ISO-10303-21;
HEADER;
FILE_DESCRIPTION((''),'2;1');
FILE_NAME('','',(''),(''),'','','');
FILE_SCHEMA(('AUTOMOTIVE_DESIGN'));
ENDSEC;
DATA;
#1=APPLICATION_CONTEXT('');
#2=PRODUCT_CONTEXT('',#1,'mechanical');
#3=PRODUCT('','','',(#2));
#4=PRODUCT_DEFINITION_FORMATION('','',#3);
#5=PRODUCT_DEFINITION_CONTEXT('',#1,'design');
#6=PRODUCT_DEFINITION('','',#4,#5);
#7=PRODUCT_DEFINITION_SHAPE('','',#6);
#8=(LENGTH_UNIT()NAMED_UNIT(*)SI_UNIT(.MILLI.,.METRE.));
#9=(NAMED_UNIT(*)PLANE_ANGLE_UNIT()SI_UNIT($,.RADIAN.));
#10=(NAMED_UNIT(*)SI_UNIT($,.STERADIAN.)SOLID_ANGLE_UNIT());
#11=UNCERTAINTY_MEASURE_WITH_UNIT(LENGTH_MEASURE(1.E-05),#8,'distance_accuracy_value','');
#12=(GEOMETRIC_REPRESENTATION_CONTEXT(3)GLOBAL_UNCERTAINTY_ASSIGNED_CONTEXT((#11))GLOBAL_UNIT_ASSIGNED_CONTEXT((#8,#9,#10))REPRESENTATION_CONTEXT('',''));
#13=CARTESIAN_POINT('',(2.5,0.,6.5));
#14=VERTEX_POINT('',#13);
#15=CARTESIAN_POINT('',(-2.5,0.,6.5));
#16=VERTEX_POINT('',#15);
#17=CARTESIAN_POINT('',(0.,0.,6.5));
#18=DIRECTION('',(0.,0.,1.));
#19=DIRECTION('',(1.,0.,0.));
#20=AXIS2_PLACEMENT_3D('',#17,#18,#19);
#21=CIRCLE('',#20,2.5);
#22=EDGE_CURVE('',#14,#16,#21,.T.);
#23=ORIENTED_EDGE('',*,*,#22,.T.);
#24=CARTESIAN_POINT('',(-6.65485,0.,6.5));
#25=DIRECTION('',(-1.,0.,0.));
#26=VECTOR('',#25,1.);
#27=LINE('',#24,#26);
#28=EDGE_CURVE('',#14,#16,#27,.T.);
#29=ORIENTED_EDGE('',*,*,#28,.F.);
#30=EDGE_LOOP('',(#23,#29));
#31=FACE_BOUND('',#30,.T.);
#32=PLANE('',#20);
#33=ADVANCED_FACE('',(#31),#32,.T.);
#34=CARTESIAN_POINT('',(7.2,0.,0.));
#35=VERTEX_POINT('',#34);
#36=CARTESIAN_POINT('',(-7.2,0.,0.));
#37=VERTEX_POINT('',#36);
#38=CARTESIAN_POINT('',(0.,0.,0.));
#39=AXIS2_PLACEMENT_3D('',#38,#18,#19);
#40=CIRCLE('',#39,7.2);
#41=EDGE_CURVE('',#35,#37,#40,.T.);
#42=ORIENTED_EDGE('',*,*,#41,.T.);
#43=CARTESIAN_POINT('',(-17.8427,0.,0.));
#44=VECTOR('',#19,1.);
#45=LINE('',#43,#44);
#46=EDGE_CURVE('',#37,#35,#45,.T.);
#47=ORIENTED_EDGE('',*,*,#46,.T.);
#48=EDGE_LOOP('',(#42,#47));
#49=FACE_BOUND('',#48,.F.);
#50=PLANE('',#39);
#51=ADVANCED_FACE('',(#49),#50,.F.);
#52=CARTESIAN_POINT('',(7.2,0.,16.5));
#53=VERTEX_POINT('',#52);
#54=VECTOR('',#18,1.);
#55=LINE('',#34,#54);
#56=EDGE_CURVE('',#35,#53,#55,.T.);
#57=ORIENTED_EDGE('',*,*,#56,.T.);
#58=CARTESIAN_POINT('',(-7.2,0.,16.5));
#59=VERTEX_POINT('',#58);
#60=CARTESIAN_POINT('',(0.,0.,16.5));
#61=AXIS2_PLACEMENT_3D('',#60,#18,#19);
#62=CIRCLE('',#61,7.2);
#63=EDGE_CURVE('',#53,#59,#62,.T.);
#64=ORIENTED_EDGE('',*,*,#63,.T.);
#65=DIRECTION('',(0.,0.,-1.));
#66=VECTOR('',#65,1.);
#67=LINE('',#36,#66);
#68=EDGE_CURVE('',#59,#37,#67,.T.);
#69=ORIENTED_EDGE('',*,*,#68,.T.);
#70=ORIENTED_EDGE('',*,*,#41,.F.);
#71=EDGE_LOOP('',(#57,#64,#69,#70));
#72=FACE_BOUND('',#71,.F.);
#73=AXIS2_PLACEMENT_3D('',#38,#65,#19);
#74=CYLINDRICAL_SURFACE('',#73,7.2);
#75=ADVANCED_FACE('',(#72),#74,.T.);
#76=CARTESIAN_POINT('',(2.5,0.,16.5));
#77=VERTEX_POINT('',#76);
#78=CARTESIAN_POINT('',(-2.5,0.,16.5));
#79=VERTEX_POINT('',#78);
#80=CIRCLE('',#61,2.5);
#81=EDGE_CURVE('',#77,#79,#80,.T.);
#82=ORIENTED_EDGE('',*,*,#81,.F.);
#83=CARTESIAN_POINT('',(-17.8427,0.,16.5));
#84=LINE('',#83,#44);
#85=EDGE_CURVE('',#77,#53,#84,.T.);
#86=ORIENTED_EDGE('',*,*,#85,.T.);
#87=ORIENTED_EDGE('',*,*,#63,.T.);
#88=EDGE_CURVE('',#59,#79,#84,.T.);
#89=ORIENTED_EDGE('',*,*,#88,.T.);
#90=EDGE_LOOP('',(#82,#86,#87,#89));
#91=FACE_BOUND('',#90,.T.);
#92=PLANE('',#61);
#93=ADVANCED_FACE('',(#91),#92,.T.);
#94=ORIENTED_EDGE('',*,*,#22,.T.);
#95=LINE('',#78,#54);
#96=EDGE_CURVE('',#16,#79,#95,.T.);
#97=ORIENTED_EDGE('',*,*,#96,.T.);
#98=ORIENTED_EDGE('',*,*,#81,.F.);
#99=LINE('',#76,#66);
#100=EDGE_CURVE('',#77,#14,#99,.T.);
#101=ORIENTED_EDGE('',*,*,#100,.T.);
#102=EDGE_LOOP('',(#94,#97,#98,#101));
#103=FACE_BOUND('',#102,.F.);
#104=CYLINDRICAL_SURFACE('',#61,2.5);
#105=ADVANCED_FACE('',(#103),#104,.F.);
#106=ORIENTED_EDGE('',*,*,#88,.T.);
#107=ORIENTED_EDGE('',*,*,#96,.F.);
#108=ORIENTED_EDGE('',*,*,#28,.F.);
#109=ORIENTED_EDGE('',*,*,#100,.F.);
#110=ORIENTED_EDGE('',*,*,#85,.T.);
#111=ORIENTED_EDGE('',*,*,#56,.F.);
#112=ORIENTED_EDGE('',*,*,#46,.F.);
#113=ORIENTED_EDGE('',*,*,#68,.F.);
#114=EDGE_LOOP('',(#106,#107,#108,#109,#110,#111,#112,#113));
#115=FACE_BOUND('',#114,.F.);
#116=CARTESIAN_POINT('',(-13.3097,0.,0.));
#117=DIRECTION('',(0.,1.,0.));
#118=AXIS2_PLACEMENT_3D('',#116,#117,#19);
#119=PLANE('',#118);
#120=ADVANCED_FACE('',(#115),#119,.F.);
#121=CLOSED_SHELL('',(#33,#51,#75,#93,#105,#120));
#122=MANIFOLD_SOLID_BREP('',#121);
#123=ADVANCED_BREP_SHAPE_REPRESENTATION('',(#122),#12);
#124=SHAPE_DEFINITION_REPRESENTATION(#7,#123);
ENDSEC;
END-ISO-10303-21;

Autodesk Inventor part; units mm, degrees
ref_plane "YZ Plane" through (0, 0, 0) normal (1, 0, 0) x (0, 1, 0)
ref_plane "XZ Plane" through (0, 0, 0) normal (0, 1, 0) x (-1, 0, 0)
ref_plane "XY Plane" through (0, 0, 0) normal (0, 0, 1) x (1, 0, 0)
sketch "Sketch1" plane through (0, 0, 0) normal (0, 0, 1) x (1, 0, 0)
  circle A0 centre (0, 0) radius 7.2
  dimension "d0" = 14.4
extrude "Extrusion1" add sketch "Sketch1" along normal blind 16.5
sketch "Sketch2" plane through (0, 0, 16.5) normal (0, 0, 1) x (1, 0, 0)
  circle A0 centre (0, 0) radius 2.5
  dimension "d3" = 5
extrude "Extrusion2" cut sketch "Sketch2" against normal blind 10
sketch "Sketch5" plane through (0, 0, 0) normal (0, 0, -1) x (-1, 0, 0)
  line L0 (17.8427, 0) -> (-13.8887, 0) projected
  line L1 (-9.3556, 0) -> (13.3097, 0)
  line L2 (13.3097, 0) -> (13.3097, -11.7916)
  line L3 (13.3097, -11.7916) -> (-9.3556, -11.7916)
  line L4 (-9.3556, -11.7916) -> (-9.3556, 0)
  point P0 (0, 0)
extrude "Extrusion4" cut sketch "Sketch5" against normal up to surface (16.5 mm away)
properties part number "HoleFill4"
